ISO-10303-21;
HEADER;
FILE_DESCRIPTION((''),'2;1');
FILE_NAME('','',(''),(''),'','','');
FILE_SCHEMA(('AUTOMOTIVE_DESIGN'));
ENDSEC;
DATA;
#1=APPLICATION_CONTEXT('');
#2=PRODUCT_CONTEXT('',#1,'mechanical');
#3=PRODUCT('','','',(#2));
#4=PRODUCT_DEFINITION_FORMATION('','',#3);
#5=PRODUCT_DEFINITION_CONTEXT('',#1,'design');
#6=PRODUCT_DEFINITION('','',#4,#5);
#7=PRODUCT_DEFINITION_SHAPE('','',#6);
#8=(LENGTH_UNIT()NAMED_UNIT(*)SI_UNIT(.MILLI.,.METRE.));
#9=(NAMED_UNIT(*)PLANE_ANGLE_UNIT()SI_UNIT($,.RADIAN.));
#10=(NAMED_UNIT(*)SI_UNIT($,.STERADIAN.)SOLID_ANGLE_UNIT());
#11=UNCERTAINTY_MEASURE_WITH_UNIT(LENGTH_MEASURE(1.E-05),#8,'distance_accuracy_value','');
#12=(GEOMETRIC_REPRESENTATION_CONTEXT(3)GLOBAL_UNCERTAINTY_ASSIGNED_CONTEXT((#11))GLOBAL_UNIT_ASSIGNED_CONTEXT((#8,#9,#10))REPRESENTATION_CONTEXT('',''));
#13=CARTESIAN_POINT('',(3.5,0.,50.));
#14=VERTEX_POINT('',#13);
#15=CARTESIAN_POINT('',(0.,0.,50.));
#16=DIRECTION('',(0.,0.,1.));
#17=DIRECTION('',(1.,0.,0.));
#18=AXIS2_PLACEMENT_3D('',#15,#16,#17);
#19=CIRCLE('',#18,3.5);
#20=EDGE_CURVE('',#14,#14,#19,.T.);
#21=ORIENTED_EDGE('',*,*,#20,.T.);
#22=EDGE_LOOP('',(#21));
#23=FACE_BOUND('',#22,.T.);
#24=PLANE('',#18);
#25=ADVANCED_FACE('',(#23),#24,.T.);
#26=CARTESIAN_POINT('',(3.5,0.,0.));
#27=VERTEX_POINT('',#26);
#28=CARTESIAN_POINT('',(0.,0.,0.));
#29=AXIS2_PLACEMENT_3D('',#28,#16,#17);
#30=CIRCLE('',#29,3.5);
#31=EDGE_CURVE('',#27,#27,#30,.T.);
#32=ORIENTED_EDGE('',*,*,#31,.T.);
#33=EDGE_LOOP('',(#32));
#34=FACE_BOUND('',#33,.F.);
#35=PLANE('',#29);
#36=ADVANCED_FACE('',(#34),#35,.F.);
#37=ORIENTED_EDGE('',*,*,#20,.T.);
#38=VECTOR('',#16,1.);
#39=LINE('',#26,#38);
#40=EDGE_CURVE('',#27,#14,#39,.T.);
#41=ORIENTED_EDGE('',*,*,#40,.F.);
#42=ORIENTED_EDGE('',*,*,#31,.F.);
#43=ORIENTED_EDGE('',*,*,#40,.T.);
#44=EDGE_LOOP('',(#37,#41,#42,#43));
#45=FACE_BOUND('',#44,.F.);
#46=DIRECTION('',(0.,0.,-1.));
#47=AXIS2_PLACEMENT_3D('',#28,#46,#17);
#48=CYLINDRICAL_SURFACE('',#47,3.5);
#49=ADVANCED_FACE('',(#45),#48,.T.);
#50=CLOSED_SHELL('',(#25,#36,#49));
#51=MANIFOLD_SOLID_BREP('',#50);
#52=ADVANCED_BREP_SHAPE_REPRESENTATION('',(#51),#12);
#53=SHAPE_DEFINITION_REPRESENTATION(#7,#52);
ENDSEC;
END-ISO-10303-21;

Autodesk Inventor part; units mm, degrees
ref_plane "YZ Plane" through (0, 0, 0) normal (1, 0, 0) x (0, 1, 0)
ref_plane "XZ Plane" through (0, 0, 0) normal (0, 1, 0) x (-1, 0, 0)
ref_plane "XY Plane" through (0, 0, 0) normal (0, 0, 1) x (1, 0, 0)
sketch "Sketch1" plane through (0, 0, 0) normal (0, 0, 1) x (1, 0, 0)
  circle A0 centre (0, 0) radius 3.5
  dimension "d0" = 7
extrude "Extrusion1" add sketch "Sketch1" along normal blind 50
properties part number "location shaft"
